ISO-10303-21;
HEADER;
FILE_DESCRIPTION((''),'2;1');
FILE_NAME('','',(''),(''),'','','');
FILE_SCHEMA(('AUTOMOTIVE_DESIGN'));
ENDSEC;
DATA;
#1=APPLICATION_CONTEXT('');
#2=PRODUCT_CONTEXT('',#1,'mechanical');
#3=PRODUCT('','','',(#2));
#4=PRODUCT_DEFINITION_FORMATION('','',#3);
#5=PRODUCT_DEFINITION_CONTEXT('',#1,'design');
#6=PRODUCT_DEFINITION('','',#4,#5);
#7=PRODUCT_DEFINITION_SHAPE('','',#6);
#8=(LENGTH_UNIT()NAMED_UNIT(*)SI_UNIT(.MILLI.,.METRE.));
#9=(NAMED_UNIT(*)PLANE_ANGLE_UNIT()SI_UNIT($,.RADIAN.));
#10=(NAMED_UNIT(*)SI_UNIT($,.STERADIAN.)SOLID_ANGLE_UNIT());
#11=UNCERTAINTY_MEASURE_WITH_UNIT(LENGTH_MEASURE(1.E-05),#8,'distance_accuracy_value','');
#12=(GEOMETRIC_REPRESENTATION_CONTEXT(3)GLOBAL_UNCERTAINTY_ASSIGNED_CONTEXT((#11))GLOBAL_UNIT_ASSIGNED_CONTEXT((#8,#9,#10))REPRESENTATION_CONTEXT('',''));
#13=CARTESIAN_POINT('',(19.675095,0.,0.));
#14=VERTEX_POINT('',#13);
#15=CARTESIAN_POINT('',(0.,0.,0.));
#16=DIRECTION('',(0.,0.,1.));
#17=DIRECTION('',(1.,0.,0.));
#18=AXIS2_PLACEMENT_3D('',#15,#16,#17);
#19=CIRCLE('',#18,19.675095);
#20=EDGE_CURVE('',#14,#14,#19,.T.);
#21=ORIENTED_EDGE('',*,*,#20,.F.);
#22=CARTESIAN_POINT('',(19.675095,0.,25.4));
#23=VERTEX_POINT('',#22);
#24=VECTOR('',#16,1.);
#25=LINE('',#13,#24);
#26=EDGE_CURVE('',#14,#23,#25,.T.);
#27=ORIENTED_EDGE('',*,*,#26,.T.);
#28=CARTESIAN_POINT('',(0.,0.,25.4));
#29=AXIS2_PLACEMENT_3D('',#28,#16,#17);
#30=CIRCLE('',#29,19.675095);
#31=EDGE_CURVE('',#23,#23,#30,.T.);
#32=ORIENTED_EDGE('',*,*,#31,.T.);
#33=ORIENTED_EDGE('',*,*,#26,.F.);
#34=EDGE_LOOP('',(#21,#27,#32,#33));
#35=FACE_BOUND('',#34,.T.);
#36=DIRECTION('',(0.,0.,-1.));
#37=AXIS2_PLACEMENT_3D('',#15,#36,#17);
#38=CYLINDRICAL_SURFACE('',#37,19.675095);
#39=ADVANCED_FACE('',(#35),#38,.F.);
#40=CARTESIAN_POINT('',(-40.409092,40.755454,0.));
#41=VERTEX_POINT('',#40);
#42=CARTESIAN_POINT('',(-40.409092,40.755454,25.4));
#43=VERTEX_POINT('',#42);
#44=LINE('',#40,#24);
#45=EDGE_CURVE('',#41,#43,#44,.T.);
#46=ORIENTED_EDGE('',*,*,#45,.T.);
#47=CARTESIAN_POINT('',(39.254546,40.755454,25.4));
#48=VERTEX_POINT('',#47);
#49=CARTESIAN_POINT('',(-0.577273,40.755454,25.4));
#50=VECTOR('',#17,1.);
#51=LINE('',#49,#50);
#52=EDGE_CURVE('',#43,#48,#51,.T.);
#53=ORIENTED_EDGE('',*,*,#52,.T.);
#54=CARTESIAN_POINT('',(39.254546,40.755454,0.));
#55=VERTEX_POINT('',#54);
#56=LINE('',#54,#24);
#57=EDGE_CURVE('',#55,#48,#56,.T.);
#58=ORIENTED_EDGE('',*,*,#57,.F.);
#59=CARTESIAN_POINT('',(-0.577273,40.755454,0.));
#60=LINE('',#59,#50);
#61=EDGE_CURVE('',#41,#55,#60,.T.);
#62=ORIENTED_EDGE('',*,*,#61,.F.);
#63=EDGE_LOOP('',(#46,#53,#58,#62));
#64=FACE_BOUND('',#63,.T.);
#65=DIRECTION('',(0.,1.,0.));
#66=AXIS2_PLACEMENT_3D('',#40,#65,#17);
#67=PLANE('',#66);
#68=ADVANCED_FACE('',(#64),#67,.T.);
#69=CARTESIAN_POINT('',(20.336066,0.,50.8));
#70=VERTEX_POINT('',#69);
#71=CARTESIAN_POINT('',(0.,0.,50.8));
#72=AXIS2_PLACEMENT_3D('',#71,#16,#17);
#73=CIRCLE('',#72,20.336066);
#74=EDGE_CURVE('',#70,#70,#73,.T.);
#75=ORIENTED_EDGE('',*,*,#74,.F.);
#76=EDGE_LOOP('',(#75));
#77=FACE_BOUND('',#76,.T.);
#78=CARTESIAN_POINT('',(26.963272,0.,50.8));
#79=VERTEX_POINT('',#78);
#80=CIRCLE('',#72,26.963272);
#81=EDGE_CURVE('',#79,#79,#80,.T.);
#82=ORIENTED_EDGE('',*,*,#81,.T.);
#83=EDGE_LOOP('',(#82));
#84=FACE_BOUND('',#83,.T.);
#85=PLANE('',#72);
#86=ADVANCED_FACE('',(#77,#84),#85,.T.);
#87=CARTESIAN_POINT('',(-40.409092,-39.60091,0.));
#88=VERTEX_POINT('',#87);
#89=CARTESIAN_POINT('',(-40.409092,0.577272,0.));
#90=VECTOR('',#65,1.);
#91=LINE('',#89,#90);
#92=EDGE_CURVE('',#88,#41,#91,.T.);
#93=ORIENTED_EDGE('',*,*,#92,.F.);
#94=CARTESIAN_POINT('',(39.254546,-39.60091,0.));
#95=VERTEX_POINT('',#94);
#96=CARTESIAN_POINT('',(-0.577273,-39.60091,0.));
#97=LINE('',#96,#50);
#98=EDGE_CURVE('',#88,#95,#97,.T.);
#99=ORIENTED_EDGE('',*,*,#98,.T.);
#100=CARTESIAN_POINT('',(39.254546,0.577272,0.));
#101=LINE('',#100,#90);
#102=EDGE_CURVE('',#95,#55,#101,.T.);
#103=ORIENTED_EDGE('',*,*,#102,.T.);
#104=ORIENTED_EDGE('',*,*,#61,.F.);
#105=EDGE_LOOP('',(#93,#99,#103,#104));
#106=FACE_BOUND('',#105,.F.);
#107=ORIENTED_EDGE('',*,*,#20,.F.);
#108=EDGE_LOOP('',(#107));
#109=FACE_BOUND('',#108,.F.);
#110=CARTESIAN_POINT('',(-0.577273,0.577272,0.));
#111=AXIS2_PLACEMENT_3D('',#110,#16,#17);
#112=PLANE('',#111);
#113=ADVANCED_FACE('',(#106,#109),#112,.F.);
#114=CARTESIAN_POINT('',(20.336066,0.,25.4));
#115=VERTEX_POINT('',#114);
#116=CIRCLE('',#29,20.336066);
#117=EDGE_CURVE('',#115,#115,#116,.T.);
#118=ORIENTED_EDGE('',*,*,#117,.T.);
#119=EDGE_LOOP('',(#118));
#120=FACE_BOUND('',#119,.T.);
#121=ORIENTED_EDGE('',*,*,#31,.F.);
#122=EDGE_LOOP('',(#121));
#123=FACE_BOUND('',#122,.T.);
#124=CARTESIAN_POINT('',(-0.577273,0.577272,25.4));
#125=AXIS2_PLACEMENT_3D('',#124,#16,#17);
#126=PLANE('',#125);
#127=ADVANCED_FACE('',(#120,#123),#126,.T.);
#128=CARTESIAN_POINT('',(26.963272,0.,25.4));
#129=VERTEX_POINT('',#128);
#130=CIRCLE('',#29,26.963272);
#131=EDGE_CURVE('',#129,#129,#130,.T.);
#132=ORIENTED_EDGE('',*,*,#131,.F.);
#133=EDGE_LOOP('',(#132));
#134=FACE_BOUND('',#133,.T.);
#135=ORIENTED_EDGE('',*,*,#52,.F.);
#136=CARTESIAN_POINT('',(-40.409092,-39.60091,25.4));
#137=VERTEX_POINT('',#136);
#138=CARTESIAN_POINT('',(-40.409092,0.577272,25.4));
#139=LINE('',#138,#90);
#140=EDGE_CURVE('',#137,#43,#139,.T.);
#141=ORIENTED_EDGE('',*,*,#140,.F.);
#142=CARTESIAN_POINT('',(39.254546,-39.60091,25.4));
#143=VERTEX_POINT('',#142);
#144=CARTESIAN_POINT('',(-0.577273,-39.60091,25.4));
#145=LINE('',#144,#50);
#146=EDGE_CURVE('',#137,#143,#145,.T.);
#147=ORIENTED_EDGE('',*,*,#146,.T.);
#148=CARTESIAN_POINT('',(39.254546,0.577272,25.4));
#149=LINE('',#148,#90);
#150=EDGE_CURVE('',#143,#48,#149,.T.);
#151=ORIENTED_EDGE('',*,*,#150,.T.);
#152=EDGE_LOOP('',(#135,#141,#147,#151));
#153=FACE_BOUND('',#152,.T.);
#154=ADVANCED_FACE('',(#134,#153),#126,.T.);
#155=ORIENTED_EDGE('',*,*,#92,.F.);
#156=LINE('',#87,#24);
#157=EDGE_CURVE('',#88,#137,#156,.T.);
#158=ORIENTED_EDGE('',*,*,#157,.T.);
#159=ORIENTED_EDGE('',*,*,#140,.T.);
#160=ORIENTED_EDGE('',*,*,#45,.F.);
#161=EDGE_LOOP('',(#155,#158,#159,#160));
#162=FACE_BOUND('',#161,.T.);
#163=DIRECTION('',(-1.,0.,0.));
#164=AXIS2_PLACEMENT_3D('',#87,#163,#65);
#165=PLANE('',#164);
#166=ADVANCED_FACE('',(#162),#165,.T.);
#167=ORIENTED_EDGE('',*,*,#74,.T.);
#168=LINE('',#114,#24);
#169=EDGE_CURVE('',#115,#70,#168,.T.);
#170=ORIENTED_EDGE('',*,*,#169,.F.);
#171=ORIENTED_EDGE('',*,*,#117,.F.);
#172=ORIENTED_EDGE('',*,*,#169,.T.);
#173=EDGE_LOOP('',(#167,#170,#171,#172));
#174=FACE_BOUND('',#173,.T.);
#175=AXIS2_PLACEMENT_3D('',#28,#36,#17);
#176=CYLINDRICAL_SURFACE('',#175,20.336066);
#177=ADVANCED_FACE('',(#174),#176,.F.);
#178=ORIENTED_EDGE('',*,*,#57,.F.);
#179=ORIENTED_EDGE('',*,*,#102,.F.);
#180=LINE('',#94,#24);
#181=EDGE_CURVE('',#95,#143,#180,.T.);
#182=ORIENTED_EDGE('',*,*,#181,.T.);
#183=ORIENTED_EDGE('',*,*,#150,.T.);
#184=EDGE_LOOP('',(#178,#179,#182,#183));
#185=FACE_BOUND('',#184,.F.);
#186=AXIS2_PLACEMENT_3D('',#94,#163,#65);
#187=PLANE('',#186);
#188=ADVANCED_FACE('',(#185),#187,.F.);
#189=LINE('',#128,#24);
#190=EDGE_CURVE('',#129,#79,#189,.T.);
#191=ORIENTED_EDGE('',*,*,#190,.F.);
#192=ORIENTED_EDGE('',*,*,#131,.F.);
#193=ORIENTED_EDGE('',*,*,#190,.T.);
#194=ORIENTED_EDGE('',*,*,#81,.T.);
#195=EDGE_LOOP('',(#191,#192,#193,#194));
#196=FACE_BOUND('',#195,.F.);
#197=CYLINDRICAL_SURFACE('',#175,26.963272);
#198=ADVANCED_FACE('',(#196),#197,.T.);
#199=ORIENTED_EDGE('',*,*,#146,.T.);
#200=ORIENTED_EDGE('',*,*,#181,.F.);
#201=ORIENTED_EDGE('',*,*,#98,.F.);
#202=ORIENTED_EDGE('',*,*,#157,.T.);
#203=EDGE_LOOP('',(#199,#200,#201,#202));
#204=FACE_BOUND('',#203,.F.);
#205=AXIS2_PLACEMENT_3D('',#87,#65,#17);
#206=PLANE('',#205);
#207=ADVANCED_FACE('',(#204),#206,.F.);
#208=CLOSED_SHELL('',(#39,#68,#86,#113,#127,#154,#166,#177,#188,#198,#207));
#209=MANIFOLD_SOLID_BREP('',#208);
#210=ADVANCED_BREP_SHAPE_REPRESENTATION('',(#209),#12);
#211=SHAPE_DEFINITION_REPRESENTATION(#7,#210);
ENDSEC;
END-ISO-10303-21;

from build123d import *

# Parameters (mm, degrees)
F0_W     = 79.663638
F0_H     = 80.356363
F0_R     = 19.675095
F1_DEPTH = 25.4
F2_R     = 26.963272
F2_R_2   = 20.336066
F3_DEPTH = 25.4


with BuildPart() as f1:
    # F0 (on Top) → F1 (new body)
    with BuildSketch(Plane.XY):
        with Locations((-0.577273, 0.577272)):
            Rectangle(F0_W, F0_H)
        Circle(F0_R, mode=Mode.SUBTRACT)
    extrude(amount=F1_DEPTH)

    # F2 (on face) → F3 (join)
    with BuildSketch(Plane.XY.offset(25.4)):
        Circle(F2_R)
        Circle(F2_R_2, mode=Mode.SUBTRACT)
    extrude(amount=F3_DEPTH)


solid = f1.part
